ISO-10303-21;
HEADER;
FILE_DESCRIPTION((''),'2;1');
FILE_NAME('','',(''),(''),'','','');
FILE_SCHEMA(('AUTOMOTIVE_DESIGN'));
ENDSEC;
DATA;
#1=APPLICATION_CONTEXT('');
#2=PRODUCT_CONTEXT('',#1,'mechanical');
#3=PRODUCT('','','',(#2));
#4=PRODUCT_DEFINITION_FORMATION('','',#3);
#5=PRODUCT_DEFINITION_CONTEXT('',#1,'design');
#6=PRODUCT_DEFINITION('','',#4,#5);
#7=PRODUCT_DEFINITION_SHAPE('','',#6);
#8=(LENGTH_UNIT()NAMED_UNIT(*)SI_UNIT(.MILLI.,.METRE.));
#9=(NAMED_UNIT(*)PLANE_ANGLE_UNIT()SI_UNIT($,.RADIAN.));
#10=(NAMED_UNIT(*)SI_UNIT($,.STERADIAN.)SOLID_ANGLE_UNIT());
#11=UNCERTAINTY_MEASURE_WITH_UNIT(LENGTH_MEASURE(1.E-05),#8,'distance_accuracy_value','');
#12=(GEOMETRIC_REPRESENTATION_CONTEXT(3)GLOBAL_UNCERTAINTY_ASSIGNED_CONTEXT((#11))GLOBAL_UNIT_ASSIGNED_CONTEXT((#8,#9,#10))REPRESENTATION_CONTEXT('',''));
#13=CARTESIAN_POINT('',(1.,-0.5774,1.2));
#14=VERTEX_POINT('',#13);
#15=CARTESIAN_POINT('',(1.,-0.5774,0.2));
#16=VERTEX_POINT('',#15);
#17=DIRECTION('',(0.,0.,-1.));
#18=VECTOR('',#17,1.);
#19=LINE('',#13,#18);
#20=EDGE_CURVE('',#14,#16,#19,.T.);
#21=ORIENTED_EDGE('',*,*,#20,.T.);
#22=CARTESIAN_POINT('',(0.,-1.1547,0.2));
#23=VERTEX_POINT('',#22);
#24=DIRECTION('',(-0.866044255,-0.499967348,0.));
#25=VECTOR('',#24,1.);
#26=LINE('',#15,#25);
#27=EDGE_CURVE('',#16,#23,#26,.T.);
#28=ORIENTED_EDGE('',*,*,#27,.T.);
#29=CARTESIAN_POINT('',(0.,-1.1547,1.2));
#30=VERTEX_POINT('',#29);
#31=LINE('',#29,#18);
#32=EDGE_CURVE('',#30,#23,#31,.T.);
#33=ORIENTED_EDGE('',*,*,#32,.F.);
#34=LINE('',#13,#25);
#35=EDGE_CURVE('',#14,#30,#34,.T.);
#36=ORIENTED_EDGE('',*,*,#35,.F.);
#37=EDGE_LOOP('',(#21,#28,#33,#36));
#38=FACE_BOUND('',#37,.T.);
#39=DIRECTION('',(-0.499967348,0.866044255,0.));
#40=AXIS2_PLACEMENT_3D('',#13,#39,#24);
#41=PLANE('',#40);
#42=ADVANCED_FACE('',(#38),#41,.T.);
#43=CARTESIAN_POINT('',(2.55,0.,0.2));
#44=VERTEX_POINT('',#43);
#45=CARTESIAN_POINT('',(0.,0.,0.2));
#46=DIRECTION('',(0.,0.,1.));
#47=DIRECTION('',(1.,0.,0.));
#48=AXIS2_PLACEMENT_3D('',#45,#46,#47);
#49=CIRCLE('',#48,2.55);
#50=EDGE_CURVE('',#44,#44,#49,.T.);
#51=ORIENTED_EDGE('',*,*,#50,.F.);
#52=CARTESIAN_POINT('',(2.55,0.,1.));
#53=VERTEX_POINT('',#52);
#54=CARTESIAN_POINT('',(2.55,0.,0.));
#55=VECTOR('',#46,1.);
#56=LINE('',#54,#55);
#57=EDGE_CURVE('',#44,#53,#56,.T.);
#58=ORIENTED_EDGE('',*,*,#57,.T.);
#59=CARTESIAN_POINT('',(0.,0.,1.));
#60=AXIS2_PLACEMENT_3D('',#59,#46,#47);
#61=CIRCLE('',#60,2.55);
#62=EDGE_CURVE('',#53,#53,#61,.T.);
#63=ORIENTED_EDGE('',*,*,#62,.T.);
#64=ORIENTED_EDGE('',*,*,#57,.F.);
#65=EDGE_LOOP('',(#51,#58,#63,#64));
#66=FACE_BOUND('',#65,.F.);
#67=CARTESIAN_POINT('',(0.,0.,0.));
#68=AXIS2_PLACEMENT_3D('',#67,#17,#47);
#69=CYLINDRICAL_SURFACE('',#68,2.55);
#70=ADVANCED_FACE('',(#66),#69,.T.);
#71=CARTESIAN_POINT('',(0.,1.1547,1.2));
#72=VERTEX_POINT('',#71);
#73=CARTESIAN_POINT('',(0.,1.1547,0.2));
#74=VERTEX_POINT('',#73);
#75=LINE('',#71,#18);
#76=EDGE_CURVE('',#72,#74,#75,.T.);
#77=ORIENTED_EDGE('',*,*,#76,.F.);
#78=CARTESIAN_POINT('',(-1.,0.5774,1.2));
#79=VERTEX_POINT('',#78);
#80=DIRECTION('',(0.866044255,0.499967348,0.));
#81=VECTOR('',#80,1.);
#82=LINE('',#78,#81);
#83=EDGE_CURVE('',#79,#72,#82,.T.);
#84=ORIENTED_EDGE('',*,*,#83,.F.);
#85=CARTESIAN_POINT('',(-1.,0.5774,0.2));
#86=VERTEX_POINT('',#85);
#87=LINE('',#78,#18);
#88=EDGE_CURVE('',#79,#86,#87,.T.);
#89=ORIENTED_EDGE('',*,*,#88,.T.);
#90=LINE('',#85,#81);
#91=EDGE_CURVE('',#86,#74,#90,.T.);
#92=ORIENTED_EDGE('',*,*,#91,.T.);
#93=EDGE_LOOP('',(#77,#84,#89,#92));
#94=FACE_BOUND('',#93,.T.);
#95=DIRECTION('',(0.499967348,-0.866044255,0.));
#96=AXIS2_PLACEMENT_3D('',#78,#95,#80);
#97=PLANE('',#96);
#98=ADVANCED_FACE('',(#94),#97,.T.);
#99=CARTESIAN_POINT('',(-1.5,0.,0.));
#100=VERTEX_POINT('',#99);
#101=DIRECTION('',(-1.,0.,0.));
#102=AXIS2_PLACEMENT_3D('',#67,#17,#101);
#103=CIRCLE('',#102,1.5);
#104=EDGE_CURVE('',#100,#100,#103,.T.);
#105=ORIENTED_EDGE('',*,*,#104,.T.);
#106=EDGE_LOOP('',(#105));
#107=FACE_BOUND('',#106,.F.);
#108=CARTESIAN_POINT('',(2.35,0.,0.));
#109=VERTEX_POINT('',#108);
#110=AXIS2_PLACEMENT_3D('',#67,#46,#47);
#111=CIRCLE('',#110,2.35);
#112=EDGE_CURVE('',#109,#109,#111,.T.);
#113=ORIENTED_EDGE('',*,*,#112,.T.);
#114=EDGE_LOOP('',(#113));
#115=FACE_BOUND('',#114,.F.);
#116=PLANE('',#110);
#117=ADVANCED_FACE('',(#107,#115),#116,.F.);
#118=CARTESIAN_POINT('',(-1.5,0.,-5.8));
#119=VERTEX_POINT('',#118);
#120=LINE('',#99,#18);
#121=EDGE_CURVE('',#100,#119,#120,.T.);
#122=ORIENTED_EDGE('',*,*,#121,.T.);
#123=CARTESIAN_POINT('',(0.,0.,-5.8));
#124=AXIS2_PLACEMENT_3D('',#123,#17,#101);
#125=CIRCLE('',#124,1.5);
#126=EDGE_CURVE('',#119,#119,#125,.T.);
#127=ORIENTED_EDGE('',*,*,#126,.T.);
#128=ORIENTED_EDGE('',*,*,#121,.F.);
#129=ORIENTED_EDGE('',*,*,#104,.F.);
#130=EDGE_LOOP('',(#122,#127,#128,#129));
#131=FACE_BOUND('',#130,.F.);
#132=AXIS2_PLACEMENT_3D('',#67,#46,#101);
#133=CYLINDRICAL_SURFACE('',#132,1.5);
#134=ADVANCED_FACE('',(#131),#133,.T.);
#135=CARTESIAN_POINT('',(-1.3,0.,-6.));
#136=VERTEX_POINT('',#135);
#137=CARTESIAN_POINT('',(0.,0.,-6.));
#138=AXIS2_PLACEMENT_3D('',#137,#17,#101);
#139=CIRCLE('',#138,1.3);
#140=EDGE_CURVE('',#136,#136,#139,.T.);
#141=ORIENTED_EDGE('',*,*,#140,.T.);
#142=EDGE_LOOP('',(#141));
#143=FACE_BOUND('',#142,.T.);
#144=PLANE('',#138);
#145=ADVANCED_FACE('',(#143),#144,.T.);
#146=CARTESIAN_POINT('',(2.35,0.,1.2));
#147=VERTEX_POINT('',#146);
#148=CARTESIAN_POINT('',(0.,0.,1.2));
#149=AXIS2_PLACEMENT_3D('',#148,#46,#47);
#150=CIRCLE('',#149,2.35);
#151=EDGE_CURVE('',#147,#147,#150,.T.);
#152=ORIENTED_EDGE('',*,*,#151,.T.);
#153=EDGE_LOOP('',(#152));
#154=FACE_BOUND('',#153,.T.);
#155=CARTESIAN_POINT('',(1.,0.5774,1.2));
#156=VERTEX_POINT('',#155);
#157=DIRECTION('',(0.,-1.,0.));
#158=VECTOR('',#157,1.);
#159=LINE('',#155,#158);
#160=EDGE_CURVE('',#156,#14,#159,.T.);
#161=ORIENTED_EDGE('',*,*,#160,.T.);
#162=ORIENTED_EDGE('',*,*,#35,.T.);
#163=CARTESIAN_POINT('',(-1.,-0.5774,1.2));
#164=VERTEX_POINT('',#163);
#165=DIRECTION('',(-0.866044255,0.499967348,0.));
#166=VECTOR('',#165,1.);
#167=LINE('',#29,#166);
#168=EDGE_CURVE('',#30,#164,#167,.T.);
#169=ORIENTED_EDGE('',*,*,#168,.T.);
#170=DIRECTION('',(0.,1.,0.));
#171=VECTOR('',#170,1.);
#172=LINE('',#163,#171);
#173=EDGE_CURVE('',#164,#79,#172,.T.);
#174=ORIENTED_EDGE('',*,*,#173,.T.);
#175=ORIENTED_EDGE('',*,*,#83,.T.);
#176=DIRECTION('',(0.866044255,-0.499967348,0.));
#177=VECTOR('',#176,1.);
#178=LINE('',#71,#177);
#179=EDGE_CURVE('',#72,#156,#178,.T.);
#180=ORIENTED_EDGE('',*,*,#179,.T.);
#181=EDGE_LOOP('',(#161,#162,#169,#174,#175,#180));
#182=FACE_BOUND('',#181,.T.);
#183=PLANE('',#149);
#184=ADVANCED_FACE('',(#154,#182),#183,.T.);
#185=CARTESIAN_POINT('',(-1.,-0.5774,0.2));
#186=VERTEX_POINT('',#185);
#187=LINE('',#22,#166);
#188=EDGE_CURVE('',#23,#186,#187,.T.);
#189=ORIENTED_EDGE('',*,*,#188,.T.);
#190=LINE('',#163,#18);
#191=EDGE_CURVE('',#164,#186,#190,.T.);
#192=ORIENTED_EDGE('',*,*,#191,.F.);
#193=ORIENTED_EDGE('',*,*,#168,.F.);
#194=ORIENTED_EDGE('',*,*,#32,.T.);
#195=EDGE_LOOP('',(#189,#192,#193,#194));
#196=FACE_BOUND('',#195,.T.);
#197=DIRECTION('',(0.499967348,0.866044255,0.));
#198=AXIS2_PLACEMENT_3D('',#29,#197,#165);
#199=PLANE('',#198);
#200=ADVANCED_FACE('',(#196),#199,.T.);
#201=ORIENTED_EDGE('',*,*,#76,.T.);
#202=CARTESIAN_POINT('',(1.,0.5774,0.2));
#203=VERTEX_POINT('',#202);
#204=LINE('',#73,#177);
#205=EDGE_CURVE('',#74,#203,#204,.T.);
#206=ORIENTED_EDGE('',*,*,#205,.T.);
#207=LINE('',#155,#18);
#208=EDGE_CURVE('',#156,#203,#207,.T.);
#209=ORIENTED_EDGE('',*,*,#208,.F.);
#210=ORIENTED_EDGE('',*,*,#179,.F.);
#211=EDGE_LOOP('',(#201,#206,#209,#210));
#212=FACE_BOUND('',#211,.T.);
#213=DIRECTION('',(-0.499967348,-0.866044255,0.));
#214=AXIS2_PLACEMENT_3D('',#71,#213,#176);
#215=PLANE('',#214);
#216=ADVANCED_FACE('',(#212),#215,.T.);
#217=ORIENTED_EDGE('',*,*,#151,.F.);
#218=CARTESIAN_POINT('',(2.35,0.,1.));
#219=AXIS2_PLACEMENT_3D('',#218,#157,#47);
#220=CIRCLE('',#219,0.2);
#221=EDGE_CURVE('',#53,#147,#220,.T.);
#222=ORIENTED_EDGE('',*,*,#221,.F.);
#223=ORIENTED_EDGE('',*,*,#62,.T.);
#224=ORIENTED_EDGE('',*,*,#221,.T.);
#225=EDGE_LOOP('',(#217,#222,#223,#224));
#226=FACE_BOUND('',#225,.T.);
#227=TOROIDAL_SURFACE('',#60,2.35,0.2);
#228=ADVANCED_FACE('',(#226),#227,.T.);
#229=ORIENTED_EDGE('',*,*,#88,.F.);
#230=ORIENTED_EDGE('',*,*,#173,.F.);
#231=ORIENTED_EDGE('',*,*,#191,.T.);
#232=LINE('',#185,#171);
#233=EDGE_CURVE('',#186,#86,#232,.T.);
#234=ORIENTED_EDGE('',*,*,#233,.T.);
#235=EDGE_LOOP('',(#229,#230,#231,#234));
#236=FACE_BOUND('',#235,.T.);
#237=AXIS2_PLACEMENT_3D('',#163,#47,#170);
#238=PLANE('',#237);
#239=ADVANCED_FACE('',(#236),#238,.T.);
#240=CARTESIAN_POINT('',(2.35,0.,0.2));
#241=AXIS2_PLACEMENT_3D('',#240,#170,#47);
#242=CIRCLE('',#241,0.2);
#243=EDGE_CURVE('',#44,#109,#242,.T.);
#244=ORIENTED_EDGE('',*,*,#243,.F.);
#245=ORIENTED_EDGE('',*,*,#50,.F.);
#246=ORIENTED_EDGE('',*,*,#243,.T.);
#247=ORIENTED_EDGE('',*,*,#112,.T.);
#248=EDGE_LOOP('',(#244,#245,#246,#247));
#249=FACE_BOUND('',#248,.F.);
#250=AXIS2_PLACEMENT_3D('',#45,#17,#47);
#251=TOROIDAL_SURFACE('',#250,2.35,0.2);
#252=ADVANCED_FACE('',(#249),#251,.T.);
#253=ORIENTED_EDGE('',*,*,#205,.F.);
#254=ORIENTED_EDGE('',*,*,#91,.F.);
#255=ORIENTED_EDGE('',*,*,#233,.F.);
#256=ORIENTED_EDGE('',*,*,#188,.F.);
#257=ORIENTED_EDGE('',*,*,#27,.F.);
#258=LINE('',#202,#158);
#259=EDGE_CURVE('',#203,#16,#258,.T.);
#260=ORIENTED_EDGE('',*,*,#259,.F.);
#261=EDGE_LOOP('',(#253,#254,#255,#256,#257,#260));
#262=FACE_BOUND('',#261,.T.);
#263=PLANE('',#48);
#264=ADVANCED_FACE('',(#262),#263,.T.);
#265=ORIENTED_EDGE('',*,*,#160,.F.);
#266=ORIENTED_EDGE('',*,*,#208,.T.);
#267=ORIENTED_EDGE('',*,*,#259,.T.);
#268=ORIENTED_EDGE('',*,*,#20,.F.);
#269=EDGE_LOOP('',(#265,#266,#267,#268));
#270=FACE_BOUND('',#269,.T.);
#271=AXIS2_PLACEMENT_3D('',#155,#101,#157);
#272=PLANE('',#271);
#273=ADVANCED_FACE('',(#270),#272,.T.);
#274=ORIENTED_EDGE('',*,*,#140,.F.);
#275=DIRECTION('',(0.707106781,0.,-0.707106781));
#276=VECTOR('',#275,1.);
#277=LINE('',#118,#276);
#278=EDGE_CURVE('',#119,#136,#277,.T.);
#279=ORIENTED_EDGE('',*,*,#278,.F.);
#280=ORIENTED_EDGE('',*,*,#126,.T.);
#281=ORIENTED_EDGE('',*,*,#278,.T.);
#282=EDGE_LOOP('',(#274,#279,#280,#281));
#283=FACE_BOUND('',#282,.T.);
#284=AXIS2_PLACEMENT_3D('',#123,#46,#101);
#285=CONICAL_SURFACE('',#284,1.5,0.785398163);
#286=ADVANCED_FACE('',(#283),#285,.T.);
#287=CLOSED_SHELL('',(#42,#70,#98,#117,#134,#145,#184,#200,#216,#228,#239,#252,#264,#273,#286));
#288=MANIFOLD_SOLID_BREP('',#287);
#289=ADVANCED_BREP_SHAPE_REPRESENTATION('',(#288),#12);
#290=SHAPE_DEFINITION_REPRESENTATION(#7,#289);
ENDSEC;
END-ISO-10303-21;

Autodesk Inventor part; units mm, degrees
ref_plane "YZ Plane" through (0, 0, 0) normal (1, 0, 0) x (0, 1, 0)
ref_plane "XZ Plane" through (0, 0, 0) normal (0, 1, 0) x (-1, 0, 0)
ref_plane "XY Plane" through (0, 0, 0) normal (0, 0, 1) x (1, 0, 0)
sketch "スケッチ1" plane through (0, 0, 0) normal (0, 0, 1) x (1, 0, 0)
  circle A0 centre (0, 0) radius 2.55
  dimension "d0" = 5.1
extrude "押し出し1" add sketch "スケッチ1" along normal blind 1.2
sketch "スケッチ2" plane through (0, 0, 0) normal (0, 0, -1) x (-1, 0, 0)
  circle A0 centre (0, 0) radius 2.55 projected
  circle A1 centre (0, 0) radius 1.5
  dimension "d3" = 3
extrude "押し出し2" add sketch "スケッチ2" along normal blind 6 contours A1
thread "ねじ1" size "M3x0.5" class "6g" standard "ANSI Metric M Profile" full length
sketch "スケッチ3" plane through (0, 0, 1.2) normal (0, 0, 1) x (1, 0, 0)
  circle A0 centre (0, 0) radius 2.55 projected
  line L0 (0, 1.1547) -> (1, 0.5774)
  line L1 (1, 0.5774) -> (1, -0.5774)
  line L2 (1, -0.5774) -> (0, -1.1547)
  line L3 (0, -1.1547) -> (-1, -0.5774)
  line L4 (-1, -0.5774) -> (-1, 0.5774)
  line L5 (-1, 0.5774) -> (0, 1.1547)
  dimension "d8" = 2
extrude "押し出し3" cut sketch "スケッチ3" against normal blind 1 contours L0 L1 L2 L3 L4 L5
fillet "フィレット1" radius 0.2 2 edges at (-2.55, 0, 1.2) (-2.55, 0, 0)
chamfer "面取り1" distance 0.2 angle 45 1 edges at (1.5, 0, -6)
properties part number "六角穴付低頭平 M3 x 6" material "鋼"
